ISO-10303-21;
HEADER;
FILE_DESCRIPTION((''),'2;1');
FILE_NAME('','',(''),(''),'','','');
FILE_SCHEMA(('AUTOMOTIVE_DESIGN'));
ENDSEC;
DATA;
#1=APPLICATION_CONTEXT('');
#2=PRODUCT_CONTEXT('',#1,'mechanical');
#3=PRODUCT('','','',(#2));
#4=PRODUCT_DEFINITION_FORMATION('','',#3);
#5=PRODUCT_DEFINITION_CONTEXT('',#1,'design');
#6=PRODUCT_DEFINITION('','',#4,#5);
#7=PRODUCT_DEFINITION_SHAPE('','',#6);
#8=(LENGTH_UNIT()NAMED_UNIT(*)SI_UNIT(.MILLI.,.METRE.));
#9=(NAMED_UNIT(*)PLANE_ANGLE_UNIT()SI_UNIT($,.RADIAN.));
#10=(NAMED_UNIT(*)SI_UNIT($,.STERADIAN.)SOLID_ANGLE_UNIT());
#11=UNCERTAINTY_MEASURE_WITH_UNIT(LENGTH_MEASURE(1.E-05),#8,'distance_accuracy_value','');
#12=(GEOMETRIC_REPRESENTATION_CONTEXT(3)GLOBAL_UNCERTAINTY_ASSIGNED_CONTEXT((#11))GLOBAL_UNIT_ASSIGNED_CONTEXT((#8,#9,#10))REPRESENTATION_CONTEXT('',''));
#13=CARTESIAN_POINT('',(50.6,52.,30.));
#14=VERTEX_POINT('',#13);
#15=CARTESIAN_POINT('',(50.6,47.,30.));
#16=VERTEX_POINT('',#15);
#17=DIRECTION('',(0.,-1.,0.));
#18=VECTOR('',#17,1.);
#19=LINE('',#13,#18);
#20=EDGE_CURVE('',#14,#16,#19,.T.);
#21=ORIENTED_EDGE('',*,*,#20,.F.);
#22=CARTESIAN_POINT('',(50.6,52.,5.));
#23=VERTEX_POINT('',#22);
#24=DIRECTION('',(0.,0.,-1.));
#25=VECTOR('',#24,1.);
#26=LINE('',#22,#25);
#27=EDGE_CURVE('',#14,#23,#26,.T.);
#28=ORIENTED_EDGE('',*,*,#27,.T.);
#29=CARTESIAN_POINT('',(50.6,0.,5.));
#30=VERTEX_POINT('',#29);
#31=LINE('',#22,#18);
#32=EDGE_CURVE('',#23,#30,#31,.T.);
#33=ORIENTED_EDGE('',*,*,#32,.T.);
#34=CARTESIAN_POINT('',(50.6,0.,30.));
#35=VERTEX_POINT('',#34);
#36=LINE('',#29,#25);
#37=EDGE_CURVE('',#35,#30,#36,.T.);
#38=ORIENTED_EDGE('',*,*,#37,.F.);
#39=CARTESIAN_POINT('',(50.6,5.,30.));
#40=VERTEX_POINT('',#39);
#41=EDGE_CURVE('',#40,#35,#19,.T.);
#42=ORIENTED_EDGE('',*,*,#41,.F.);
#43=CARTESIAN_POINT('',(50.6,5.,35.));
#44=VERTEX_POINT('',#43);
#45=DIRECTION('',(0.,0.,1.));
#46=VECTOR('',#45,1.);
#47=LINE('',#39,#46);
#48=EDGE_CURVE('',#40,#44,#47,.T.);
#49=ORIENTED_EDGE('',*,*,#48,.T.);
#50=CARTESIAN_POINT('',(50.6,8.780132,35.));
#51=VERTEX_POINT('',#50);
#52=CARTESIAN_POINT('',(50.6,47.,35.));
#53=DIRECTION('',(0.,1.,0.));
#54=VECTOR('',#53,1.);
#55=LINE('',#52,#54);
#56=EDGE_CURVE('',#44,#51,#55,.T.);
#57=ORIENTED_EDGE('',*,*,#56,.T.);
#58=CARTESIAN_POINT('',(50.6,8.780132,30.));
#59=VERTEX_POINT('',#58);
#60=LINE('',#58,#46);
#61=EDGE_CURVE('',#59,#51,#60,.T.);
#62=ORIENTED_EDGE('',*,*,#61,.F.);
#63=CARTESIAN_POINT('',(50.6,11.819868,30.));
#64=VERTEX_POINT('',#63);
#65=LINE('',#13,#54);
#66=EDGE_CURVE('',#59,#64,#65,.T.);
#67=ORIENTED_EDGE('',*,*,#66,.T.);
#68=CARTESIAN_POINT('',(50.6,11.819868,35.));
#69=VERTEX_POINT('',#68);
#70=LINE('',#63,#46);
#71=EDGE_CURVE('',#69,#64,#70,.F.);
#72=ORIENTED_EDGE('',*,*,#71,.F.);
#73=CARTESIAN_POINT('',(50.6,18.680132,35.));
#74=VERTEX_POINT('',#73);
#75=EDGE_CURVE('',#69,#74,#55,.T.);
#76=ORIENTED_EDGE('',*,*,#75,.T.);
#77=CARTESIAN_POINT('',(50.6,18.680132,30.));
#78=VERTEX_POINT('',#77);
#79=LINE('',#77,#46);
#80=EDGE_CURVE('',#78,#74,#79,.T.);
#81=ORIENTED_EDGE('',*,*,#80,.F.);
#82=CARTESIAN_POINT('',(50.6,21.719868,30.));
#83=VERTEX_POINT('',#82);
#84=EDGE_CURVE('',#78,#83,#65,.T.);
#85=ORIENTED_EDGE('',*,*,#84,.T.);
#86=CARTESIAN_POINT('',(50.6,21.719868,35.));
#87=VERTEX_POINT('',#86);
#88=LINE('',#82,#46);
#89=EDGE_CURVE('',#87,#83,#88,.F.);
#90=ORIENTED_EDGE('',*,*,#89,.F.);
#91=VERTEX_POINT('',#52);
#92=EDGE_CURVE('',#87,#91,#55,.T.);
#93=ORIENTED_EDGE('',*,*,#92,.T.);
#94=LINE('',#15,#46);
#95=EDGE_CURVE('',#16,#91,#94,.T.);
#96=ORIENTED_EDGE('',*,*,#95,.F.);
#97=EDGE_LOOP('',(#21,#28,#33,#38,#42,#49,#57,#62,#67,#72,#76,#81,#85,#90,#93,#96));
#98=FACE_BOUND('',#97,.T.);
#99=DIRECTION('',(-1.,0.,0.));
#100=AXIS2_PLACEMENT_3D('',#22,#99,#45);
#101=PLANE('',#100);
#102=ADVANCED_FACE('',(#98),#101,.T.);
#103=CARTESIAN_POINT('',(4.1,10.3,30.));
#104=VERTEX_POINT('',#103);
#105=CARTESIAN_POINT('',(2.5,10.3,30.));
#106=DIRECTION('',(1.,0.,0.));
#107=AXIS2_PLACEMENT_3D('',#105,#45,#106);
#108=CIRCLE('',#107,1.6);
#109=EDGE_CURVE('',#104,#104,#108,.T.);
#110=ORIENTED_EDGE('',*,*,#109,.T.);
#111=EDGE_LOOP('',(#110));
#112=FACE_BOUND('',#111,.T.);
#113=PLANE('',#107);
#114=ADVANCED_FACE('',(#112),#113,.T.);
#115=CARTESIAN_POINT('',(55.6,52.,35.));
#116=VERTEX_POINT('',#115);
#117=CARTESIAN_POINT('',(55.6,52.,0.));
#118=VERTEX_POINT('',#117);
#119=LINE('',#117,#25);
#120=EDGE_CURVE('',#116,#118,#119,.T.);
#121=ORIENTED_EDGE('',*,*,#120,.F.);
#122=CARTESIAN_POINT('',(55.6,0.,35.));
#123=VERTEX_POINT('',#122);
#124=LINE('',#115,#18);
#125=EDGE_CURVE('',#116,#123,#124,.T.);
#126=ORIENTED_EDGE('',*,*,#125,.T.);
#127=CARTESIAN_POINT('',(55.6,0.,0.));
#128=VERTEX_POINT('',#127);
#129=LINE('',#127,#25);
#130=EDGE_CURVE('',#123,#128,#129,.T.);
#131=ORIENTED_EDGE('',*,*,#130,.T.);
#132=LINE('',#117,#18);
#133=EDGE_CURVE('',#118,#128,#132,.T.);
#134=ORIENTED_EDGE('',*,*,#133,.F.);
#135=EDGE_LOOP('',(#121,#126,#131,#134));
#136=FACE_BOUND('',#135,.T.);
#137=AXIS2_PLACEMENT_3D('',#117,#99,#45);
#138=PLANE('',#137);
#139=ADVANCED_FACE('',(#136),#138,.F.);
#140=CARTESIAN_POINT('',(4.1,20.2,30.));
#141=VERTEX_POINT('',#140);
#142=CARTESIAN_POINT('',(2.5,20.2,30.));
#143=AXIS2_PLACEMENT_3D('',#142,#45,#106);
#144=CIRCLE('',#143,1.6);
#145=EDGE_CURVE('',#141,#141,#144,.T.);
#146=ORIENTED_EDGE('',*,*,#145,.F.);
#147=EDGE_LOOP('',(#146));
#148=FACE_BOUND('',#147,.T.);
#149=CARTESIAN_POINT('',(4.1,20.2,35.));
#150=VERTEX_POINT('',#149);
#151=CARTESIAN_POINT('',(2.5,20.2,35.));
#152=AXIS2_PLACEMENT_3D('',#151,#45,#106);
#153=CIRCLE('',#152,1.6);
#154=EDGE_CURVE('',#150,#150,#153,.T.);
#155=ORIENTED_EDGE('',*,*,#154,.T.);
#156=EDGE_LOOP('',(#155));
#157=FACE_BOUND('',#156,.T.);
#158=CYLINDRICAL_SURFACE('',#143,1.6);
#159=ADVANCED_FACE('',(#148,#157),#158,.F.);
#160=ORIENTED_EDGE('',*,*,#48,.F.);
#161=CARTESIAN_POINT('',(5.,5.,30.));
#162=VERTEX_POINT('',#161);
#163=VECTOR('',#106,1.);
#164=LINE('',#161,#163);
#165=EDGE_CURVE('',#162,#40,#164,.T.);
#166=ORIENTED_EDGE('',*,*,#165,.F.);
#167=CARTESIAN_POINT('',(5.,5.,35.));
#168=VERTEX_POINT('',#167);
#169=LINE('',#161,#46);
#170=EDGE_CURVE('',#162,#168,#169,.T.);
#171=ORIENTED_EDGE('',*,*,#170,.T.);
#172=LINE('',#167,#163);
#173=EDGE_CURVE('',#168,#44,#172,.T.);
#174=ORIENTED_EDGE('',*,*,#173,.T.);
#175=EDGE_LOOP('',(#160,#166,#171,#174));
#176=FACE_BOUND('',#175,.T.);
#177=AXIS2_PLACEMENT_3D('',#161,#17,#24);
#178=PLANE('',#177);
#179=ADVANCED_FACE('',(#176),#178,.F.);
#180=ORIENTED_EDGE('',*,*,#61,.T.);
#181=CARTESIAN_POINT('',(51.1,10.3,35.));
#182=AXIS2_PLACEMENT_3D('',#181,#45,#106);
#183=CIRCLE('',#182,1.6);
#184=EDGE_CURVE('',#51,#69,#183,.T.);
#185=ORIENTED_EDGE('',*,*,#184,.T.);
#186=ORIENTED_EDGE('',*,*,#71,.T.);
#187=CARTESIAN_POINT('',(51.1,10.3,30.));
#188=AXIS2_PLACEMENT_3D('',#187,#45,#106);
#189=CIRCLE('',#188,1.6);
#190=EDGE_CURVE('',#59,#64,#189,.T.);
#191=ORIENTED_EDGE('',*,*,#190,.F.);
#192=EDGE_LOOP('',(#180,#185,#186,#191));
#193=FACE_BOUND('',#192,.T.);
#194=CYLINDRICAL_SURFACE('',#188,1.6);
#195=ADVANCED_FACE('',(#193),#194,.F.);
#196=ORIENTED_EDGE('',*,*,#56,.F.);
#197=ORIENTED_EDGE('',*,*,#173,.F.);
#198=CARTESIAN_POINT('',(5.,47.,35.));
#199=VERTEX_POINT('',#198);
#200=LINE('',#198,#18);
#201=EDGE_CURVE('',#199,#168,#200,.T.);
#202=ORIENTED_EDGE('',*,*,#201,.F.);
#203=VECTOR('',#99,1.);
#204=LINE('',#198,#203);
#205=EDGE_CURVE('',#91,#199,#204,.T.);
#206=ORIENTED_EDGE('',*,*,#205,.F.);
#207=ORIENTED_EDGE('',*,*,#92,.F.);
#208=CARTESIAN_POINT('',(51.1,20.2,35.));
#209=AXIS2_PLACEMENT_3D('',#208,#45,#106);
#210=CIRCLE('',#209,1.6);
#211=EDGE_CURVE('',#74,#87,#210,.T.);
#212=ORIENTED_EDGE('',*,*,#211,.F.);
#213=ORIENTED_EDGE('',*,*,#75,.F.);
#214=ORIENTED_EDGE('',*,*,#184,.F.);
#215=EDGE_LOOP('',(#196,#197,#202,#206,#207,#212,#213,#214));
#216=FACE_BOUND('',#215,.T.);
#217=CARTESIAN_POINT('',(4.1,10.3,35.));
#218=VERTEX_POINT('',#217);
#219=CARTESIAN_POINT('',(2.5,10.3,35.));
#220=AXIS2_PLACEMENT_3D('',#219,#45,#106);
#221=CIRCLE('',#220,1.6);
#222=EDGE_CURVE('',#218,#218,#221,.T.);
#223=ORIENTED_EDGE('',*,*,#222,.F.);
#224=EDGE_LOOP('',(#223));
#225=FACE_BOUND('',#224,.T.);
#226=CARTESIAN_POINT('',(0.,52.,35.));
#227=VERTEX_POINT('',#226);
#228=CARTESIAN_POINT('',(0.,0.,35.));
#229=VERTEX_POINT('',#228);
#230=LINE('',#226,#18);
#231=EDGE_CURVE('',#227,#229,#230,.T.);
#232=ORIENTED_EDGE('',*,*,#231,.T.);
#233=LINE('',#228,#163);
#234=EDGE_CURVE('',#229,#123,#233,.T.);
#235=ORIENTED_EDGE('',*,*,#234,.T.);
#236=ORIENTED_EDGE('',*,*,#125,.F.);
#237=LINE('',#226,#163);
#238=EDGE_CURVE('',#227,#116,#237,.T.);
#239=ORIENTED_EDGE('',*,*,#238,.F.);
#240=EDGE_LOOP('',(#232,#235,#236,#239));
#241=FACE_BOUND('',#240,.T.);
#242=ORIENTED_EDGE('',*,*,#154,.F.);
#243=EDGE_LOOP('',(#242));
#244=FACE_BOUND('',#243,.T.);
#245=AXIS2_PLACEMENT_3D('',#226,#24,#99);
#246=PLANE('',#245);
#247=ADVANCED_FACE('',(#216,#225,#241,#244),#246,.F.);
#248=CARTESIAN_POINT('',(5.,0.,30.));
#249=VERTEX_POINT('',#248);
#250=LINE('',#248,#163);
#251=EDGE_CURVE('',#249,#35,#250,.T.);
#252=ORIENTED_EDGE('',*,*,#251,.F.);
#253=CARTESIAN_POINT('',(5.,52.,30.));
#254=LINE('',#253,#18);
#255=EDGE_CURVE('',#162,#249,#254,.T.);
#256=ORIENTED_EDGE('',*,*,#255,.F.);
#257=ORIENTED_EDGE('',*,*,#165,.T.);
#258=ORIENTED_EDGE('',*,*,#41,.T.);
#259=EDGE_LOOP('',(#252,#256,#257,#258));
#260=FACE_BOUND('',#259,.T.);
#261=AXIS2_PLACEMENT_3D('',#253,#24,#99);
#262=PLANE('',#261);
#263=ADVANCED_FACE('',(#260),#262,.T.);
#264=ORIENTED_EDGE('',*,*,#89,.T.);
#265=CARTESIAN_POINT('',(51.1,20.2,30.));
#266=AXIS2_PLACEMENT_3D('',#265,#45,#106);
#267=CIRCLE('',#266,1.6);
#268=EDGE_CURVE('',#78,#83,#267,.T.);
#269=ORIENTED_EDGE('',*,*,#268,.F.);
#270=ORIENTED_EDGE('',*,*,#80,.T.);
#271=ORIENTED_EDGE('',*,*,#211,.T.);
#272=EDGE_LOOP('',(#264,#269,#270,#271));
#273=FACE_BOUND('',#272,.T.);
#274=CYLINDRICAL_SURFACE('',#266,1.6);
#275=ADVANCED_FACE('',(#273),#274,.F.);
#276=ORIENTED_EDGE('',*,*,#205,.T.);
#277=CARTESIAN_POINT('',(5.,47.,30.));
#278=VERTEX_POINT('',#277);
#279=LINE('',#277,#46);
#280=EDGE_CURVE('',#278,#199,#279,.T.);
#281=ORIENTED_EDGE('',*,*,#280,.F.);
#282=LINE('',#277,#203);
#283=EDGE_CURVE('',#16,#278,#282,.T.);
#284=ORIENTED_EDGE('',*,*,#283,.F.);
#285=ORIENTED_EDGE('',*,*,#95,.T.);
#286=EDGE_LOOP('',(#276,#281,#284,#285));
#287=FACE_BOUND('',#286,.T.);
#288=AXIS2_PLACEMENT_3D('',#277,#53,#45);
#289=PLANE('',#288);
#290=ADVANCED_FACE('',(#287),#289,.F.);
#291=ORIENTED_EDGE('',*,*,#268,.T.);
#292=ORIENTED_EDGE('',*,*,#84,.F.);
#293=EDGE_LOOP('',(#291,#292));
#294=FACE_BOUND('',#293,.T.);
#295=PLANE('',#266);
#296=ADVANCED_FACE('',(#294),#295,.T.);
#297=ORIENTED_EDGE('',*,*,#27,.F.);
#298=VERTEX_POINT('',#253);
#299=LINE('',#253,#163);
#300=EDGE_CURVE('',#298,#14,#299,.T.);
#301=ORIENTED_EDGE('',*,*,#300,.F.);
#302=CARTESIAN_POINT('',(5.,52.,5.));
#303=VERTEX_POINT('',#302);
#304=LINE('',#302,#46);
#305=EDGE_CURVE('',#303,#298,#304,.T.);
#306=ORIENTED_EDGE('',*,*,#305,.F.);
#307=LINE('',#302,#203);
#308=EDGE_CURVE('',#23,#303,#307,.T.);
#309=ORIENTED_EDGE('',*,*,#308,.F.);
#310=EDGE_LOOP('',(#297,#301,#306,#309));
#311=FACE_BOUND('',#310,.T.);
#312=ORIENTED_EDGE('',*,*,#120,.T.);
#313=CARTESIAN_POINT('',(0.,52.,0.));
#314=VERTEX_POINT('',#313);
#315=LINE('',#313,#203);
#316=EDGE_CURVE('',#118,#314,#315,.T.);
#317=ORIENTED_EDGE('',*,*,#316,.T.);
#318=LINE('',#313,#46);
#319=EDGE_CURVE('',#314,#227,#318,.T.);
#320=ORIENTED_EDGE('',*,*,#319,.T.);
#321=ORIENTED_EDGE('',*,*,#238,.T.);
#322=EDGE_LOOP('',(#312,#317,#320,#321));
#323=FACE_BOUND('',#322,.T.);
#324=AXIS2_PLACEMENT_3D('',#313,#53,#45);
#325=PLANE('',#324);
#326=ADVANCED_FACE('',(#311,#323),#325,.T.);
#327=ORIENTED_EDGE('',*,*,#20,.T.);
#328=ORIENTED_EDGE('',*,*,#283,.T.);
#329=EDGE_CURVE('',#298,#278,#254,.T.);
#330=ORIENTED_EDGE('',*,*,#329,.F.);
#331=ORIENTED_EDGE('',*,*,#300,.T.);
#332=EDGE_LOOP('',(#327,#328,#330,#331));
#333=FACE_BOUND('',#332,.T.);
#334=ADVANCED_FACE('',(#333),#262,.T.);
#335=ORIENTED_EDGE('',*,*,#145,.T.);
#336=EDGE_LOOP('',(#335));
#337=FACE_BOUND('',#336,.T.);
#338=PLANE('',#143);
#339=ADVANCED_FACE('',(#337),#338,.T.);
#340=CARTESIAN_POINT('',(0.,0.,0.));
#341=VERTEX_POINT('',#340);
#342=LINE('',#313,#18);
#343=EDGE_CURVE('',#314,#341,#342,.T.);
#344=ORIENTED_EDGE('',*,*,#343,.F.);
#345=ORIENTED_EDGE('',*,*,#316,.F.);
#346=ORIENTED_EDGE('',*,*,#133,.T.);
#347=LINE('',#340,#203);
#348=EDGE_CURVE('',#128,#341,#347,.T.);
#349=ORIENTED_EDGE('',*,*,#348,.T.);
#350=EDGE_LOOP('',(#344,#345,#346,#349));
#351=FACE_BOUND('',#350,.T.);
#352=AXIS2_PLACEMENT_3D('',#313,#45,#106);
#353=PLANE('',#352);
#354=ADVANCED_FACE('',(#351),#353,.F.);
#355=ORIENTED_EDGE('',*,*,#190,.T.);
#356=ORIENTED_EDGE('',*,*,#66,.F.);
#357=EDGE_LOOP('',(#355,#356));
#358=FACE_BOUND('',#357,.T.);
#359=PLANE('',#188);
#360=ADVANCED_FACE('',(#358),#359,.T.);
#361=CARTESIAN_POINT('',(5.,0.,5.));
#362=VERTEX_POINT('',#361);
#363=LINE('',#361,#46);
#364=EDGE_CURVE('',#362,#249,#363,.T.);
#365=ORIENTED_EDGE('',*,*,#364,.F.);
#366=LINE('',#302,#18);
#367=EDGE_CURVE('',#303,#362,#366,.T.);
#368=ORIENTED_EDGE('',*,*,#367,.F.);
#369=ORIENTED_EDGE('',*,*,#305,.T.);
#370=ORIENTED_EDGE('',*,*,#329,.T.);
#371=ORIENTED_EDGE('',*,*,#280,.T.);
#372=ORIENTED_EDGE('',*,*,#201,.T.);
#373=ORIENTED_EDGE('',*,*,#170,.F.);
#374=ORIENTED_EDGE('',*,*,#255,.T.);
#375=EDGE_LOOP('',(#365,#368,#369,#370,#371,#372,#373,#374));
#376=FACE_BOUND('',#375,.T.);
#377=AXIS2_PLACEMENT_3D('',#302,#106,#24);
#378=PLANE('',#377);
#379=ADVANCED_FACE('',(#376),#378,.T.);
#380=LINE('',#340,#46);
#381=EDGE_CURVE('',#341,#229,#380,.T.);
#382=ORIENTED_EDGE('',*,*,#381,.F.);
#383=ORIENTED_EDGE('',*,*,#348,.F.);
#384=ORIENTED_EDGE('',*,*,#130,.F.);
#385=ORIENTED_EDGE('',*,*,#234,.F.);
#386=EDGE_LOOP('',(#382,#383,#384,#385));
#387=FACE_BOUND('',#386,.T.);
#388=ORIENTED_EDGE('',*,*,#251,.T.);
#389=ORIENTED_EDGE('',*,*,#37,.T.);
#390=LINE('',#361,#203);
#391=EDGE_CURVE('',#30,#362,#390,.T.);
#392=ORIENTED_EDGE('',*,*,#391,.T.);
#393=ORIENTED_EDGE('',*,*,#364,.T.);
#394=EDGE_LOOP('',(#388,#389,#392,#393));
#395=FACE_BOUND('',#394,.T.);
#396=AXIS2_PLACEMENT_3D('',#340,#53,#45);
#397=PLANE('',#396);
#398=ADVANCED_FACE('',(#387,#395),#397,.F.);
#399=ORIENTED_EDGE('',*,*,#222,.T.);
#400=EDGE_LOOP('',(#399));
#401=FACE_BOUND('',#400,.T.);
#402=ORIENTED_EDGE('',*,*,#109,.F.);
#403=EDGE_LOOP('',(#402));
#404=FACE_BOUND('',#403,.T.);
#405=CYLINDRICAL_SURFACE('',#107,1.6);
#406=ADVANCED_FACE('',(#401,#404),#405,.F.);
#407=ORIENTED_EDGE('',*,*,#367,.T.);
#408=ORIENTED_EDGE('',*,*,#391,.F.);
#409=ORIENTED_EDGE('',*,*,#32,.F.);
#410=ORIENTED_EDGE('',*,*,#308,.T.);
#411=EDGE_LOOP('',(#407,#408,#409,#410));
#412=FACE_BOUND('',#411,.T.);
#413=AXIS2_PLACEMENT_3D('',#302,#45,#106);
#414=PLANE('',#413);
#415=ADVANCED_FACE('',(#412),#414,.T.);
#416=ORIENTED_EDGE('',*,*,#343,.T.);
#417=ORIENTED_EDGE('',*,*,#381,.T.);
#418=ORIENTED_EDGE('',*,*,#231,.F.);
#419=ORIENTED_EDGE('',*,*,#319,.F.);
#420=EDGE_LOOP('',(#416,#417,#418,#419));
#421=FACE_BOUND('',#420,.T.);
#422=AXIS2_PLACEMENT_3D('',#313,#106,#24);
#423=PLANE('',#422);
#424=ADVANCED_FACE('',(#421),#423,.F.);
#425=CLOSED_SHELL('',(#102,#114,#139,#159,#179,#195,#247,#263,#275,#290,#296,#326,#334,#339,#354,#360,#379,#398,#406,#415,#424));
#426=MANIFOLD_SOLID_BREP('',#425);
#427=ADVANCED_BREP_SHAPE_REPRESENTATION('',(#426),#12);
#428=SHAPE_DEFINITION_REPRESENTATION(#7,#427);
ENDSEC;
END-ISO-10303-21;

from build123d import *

# Parameters (mm, degrees)
SKETCH1_W           = 55.6
SKETCH1_H           = 35
SKETCH1_W_2         = 45.6
SKETCH1_H_2         = 25
BOSS_EXTRUDE1_DEPTH = 52
SKETCH2_W           = 45.6
SKETCH2_H           = 42
CUT_EXTRUDE1_DEPTH  = 5
SKETCH3_R           = 1.6
SKETCH3_W           = 40
SKETCH3_H           = 20.5
CUT_EXTRUDE2_DEPTH  = 5


with BuildPart() as part:
    # Sketch1 → Boss-Extrude1 (new body)
    with BuildSketch(Plane(origin=(0, 0, 0), x_dir=(1, 0, 0), z_dir=(0, 1, 0))):
        with Locations((27.8, -17.5)):
            Rectangle(SKETCH1_W, SKETCH1_H)
        with Locations((27.8, -17.5)):
            Rectangle(SKETCH1_W_2, SKETCH1_H_2, mode=Mode.SUBTRACT)
    extrude(amount=BOSS_EXTRUDE1_DEPTH)

    # Sketch2 → Cut-Extrude1 (cut)
    with BuildSketch(Plane.XY.offset(35)):
        with Locations((27.8, 26)):
            Rectangle(SKETCH2_W, SKETCH2_H)
    extrude(amount=-CUT_EXTRUDE1_DEPTH, mode=Mode.SUBTRACT)

    # Sketch3 → Cut-Extrude2 (cut)
    with BuildSketch(Plane.XY.offset(35)):
        with Locations((51.1, 20.2)):
            Circle(SKETCH3_R)
        with Locations((51.1, 10.3)):
            Circle(SKETCH3_R)
        with Locations((2.5, 10.3)):
            Circle(SKETCH3_R)
        with Locations((2.5, 20.2)):
            Circle(SKETCH3_R)
        with Locations((26.8, 15.25)):
            Rectangle(SKETCH3_W, SKETCH3_H)
    extrude(amount=-CUT_EXTRUDE2_DEPTH, mode=Mode.SUBTRACT)


solid = part.part
